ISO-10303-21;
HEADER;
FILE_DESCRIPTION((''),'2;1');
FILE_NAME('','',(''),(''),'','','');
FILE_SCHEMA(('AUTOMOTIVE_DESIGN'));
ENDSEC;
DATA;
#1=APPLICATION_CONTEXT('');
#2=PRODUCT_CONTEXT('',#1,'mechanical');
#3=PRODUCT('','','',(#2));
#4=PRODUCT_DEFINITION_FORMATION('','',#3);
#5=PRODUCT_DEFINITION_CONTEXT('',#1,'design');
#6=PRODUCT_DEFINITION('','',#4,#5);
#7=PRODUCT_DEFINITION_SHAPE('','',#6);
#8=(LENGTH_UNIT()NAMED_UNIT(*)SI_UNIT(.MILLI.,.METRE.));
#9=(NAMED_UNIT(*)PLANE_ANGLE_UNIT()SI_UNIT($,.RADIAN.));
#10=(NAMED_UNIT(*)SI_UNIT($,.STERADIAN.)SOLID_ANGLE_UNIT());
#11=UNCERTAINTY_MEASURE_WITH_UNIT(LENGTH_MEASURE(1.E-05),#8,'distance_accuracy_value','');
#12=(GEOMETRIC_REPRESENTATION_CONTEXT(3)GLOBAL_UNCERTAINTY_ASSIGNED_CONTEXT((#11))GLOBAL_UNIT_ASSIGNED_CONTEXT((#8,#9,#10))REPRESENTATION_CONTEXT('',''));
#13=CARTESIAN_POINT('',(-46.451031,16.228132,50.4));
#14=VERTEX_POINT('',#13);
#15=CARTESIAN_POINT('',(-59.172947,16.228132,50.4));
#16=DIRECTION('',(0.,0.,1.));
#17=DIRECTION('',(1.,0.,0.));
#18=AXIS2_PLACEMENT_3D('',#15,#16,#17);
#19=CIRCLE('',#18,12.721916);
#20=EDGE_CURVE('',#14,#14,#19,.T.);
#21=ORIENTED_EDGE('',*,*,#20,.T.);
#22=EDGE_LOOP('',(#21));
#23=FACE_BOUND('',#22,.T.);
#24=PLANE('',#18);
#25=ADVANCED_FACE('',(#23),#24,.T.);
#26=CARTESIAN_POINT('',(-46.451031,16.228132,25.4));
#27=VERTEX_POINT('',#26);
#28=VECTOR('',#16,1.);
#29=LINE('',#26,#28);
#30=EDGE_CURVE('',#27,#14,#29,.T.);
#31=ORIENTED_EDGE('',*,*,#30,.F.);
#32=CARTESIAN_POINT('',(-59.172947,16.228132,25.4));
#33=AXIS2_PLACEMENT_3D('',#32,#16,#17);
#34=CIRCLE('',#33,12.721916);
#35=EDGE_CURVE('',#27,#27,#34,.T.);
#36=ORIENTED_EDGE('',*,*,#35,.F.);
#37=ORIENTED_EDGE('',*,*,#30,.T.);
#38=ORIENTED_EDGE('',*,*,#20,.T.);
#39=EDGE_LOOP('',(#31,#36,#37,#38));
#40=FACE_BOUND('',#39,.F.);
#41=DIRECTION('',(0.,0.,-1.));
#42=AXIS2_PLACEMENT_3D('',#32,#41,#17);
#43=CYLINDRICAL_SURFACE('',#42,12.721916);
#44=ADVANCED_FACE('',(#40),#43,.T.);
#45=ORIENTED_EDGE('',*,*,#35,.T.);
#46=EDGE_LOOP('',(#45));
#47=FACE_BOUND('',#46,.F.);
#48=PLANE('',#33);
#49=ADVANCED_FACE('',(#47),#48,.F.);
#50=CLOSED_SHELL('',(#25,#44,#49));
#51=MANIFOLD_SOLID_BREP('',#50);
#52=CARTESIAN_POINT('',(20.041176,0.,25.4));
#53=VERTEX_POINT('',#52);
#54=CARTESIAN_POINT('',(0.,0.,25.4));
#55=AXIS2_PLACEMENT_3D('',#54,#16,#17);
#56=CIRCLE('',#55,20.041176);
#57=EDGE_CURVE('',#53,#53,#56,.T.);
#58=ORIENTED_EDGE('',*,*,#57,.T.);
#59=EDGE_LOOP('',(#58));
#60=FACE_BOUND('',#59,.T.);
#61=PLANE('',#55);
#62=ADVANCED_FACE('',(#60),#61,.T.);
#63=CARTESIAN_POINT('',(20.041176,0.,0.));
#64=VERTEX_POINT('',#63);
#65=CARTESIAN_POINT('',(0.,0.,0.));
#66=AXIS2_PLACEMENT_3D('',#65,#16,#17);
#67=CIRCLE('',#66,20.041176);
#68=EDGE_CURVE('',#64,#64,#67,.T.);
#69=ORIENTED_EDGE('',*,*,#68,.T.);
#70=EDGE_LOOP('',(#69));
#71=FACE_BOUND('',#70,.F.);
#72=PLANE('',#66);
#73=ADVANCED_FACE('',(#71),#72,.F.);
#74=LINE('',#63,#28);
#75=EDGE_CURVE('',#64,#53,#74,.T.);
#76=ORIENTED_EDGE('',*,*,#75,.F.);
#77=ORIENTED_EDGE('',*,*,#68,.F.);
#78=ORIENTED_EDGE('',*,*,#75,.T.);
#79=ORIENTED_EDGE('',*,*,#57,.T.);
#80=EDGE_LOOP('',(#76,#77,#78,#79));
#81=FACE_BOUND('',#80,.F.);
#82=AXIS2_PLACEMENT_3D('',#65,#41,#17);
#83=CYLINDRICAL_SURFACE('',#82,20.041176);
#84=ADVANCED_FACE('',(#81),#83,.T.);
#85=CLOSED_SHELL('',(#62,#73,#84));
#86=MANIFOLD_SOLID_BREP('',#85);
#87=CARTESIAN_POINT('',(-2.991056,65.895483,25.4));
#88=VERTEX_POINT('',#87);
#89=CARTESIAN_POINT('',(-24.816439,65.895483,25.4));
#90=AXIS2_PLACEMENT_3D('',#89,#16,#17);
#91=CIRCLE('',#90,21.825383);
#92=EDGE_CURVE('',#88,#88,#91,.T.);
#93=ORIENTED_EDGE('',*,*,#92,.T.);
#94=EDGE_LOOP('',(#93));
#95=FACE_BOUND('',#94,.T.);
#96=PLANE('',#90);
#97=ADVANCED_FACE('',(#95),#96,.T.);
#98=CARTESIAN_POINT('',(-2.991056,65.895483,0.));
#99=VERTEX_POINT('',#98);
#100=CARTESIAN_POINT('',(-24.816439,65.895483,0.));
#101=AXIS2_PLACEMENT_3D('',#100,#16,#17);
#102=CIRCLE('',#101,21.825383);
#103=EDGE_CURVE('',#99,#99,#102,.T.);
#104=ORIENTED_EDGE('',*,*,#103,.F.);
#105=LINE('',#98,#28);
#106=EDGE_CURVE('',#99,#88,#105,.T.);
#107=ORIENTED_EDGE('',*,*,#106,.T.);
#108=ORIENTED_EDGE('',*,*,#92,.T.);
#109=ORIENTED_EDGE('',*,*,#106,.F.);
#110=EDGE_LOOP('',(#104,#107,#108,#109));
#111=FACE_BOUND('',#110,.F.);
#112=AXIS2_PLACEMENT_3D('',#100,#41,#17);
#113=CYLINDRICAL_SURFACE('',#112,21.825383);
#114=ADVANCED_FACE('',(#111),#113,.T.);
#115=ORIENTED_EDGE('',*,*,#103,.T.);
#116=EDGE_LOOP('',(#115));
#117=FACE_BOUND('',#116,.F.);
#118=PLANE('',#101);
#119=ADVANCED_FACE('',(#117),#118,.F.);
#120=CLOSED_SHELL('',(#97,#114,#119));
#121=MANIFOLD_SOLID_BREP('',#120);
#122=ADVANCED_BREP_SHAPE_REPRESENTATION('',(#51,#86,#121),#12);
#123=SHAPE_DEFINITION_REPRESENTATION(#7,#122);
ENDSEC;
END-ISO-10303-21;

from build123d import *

# Parameters (mm, degrees)
F0_R     = 20.041176
F0_R_2   = 21.825383
F1_DEPTH = 25.4
F2_R     = 12.721916
F3_DEPTH = 25


with BuildPart() as f1:
    # F0 (on Top) → F1 (new body)
    with BuildSketch(Plane.XY):
        Circle(F0_R)
        with Locations((-24.816439, 65.895483)):
            Circle(F0_R_2)
    extrude(amount=F1_DEPTH)


with BuildPart() as f3:
    # F2 (on face) → F3 (new body)
    with BuildSketch(Plane.XY.offset(25.4)):
        with Locations((-59.172947, 16.228132)):
            Circle(F2_R)
    extrude(amount=F3_DEPTH)


solid = Compound([f1.part, f3.part])
